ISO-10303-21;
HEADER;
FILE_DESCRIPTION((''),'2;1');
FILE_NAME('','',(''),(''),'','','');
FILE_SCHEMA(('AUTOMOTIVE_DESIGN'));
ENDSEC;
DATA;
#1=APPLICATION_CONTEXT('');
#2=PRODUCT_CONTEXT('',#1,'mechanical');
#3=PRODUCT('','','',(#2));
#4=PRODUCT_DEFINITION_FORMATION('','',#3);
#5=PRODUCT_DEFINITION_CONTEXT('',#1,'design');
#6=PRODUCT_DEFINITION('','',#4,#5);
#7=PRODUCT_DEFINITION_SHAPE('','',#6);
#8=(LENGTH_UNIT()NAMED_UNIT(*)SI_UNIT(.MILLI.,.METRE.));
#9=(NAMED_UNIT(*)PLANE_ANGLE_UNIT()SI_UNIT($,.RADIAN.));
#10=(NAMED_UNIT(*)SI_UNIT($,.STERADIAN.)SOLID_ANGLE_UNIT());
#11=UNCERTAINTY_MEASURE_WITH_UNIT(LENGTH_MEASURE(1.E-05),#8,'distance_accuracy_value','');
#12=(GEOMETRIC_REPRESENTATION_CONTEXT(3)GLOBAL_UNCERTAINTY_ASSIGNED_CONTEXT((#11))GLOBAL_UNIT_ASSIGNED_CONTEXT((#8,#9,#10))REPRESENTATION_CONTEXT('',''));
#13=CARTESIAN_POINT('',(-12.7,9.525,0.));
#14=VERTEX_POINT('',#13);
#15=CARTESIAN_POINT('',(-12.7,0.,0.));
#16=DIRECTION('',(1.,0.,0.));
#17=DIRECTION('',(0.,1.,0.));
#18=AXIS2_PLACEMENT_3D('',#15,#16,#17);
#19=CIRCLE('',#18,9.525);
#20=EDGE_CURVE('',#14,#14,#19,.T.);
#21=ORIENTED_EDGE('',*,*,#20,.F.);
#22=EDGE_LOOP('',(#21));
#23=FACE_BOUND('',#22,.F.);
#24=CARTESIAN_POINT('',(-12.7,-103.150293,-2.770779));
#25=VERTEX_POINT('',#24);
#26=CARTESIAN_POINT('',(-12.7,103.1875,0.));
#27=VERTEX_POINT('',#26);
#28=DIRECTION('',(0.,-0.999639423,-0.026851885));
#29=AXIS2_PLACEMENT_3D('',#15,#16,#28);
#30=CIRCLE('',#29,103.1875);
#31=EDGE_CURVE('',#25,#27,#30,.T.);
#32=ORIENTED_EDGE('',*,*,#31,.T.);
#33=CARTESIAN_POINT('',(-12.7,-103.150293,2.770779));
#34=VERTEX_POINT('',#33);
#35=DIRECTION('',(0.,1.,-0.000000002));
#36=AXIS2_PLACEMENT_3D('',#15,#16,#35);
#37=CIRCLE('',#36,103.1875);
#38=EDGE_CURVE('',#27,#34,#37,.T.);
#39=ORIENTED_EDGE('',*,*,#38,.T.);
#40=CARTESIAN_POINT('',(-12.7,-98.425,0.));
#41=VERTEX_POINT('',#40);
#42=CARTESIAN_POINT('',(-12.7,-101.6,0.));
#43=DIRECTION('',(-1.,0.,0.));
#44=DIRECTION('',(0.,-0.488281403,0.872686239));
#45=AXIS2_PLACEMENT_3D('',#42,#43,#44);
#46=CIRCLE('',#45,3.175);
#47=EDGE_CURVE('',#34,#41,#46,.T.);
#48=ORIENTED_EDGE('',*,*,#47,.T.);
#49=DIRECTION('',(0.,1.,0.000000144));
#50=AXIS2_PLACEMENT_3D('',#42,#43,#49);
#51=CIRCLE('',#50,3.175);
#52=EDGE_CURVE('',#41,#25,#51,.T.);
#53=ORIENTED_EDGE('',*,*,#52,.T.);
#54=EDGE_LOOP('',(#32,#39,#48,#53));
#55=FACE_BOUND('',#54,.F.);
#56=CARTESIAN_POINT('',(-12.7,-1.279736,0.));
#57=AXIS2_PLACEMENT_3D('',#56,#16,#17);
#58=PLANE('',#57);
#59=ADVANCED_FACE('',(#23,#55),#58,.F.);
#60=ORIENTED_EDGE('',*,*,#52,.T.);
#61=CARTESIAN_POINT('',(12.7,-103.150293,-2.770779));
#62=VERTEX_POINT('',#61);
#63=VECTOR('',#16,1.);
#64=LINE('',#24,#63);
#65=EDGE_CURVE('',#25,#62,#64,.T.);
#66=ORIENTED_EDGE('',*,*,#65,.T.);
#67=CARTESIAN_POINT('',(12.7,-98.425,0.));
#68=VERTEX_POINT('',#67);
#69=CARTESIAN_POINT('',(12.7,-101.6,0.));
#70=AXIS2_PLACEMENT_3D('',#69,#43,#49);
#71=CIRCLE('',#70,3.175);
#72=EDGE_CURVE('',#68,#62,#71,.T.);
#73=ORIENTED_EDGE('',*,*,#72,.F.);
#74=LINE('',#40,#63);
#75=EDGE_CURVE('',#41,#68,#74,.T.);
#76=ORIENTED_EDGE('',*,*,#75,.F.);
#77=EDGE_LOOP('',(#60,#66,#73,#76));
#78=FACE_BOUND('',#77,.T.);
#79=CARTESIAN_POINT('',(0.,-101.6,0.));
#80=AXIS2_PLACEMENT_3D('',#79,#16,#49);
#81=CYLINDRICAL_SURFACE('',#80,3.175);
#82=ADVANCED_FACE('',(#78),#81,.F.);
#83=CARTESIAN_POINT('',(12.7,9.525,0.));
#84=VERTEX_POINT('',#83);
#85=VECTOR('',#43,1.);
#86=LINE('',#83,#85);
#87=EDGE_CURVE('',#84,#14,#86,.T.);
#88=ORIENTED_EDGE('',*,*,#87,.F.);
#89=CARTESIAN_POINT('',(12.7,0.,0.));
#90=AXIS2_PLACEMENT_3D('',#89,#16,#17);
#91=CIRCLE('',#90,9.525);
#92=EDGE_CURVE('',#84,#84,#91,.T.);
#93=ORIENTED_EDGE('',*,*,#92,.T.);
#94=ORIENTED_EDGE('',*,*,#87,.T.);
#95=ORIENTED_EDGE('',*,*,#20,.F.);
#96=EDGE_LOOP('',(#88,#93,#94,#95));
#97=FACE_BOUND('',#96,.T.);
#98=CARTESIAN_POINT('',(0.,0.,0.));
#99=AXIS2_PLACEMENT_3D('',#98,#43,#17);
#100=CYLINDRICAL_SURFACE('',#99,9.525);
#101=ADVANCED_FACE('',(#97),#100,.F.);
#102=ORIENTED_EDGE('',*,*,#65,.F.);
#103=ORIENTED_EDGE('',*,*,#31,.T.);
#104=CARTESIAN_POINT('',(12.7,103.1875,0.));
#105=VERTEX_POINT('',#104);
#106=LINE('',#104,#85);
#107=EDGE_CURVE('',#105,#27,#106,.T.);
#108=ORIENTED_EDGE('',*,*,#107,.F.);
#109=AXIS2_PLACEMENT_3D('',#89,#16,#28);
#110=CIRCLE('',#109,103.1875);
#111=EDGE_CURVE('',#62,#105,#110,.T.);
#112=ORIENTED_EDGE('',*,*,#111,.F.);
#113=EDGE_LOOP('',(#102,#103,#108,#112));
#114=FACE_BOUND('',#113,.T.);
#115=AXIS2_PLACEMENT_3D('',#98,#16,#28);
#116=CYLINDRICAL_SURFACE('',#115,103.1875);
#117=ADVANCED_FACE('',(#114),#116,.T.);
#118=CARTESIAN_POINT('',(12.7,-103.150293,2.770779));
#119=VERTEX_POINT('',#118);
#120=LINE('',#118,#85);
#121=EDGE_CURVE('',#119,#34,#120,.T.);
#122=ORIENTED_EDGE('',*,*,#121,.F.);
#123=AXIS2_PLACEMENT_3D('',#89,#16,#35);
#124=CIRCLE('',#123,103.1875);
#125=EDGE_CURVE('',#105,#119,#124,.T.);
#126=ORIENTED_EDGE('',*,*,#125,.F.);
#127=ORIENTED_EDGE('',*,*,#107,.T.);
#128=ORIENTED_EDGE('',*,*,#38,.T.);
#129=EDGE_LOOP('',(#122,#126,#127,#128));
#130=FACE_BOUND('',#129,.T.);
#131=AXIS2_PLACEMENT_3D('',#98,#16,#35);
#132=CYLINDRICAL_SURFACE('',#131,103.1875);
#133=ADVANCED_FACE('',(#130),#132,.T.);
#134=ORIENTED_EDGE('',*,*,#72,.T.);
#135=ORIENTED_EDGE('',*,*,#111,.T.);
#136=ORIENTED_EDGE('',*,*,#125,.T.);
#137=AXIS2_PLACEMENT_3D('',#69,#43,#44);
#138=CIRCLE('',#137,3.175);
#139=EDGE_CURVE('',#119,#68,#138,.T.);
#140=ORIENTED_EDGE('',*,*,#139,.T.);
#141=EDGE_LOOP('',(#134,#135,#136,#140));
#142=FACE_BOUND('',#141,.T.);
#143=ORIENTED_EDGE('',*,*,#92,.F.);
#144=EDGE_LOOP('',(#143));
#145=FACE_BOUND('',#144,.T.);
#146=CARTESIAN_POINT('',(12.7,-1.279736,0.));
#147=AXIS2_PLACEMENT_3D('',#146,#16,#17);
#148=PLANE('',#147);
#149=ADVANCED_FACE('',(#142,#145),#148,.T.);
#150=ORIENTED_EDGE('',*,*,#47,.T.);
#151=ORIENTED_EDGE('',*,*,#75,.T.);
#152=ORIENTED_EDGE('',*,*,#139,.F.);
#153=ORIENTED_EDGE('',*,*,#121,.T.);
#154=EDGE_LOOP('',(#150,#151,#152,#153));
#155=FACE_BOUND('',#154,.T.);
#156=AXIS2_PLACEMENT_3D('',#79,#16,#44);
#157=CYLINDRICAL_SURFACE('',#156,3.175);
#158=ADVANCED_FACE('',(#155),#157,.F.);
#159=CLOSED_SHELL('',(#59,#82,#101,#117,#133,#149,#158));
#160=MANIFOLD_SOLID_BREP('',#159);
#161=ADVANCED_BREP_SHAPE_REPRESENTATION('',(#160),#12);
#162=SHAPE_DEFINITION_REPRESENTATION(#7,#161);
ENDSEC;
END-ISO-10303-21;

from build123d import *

# Parameters (mm, degrees)
F0_R     = 9.525
F1_DEPTH = 12.7


with BuildPart() as f1:
    # F0 (on Right) → F1 (new body, symmetric)
    with BuildSketch(Plane.YZ):
        with BuildLine():
            ThreePointArc((-103.150293, 2.770779), (-99.994004, 2.738869), (-98.425, 0))
            ThreePointArc((-98.425, 0), (-99.994004, -2.738869), (-103.150293, -2.770779))
            ThreePointArc((-103.150293, -2.770779), (1.385514, -103.178198), (103.1875, 0))
            ThreePointArc((103.1875, 0), (1.385514, 103.178198), (-103.150293, 2.770779))
        make_face()
        Circle(F0_R, mode=Mode.SUBTRACT)
    extrude(amount=F1_DEPTH, both=True)


solid = f1.part
